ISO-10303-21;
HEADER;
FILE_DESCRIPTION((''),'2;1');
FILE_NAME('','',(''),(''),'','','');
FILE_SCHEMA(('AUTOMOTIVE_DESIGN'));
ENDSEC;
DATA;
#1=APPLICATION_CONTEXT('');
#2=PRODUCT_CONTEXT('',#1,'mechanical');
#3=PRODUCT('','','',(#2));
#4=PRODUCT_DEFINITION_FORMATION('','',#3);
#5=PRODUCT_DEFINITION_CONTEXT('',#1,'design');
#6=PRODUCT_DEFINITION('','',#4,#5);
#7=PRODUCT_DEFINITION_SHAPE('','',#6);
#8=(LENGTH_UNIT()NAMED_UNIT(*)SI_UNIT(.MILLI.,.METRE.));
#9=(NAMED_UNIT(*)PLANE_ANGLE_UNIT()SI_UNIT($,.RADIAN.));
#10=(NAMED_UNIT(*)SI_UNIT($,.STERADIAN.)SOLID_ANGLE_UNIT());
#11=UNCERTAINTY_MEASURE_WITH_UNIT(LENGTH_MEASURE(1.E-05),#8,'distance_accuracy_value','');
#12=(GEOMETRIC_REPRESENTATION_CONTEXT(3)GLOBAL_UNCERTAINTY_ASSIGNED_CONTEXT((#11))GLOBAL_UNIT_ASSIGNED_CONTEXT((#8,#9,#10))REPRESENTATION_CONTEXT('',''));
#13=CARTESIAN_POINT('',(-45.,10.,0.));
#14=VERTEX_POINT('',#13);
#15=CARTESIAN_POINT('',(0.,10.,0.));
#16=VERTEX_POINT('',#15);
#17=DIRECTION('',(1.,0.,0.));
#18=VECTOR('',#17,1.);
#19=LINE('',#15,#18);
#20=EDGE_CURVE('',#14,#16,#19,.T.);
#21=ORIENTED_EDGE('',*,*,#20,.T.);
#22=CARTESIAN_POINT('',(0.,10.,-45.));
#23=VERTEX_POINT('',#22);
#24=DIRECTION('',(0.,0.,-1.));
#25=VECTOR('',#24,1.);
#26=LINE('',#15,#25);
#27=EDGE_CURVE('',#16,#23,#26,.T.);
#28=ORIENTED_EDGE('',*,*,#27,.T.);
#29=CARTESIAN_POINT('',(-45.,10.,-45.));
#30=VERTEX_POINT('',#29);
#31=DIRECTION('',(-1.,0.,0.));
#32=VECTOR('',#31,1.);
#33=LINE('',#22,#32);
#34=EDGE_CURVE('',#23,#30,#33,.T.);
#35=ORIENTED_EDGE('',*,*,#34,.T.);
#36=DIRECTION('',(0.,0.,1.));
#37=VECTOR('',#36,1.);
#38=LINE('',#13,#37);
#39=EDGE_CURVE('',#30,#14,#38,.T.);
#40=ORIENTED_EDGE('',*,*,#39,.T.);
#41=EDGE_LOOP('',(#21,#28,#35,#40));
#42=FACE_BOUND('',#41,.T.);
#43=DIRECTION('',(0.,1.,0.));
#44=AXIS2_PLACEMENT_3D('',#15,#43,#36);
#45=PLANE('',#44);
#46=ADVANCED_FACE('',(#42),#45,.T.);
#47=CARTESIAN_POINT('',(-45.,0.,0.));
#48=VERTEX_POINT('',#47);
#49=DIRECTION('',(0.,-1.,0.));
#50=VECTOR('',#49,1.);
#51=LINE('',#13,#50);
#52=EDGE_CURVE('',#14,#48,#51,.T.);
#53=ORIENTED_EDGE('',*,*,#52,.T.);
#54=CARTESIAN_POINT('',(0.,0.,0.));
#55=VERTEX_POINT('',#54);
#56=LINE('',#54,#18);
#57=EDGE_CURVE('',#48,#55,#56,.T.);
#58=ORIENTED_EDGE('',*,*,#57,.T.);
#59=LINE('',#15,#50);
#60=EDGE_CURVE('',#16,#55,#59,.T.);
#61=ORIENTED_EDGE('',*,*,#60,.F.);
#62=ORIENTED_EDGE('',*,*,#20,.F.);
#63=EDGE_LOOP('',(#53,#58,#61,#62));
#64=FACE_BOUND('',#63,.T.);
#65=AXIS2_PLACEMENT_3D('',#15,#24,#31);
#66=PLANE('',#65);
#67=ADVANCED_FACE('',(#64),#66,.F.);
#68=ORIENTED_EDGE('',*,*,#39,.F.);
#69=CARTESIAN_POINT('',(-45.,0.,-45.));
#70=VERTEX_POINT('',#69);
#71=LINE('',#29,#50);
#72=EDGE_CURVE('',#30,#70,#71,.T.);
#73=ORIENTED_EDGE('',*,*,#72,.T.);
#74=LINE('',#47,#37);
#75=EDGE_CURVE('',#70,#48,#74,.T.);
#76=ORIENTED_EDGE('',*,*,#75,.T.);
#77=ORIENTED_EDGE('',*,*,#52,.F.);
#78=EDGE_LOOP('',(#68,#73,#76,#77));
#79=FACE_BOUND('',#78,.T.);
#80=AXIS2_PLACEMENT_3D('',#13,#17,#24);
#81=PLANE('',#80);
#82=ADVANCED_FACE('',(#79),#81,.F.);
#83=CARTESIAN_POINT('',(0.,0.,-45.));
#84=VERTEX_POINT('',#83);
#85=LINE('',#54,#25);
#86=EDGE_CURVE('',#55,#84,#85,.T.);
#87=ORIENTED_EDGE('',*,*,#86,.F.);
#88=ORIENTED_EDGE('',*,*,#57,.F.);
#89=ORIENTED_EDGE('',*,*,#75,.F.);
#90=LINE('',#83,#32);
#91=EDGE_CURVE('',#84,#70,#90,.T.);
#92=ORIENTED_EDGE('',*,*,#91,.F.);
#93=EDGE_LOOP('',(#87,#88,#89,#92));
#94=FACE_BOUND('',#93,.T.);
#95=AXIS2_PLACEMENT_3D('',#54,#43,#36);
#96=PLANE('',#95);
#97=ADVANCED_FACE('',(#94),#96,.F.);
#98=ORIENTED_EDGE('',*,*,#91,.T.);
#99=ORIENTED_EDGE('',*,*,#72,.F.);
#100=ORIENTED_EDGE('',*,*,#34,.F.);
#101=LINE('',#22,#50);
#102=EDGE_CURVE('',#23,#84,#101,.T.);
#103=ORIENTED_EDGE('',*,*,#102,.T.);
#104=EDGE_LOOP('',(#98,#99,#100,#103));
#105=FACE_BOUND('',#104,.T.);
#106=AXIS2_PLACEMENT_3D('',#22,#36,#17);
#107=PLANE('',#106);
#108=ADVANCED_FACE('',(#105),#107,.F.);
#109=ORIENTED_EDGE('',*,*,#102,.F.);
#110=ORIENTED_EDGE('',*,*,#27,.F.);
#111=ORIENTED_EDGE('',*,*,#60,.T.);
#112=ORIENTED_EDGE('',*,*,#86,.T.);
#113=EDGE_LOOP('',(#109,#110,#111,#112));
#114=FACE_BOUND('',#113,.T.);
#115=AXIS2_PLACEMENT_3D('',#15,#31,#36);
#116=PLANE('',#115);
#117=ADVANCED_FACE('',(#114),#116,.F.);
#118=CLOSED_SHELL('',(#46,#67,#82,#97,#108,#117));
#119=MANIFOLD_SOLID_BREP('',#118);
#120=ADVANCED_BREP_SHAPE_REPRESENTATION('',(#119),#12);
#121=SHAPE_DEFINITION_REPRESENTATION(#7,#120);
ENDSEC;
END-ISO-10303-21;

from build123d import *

# Parameters (mm, degrees)
SKETCH1_W      = 45
SKETCH1_H      = 45
EXTRUDE1_DEPTH = 10


with BuildPart() as part:
    # Sketch1 → Extrude1 (new body)
    with BuildSketch(Plane(origin=(0, 0, 0), x_dir=(1, 0, 0), z_dir=(0, 1, 0))):
        with Locations((-22.5, 22.5)):
            Rectangle(SKETCH1_W, SKETCH1_H)
    extrude(amount=EXTRUDE1_DEPTH)


solid = part.part
